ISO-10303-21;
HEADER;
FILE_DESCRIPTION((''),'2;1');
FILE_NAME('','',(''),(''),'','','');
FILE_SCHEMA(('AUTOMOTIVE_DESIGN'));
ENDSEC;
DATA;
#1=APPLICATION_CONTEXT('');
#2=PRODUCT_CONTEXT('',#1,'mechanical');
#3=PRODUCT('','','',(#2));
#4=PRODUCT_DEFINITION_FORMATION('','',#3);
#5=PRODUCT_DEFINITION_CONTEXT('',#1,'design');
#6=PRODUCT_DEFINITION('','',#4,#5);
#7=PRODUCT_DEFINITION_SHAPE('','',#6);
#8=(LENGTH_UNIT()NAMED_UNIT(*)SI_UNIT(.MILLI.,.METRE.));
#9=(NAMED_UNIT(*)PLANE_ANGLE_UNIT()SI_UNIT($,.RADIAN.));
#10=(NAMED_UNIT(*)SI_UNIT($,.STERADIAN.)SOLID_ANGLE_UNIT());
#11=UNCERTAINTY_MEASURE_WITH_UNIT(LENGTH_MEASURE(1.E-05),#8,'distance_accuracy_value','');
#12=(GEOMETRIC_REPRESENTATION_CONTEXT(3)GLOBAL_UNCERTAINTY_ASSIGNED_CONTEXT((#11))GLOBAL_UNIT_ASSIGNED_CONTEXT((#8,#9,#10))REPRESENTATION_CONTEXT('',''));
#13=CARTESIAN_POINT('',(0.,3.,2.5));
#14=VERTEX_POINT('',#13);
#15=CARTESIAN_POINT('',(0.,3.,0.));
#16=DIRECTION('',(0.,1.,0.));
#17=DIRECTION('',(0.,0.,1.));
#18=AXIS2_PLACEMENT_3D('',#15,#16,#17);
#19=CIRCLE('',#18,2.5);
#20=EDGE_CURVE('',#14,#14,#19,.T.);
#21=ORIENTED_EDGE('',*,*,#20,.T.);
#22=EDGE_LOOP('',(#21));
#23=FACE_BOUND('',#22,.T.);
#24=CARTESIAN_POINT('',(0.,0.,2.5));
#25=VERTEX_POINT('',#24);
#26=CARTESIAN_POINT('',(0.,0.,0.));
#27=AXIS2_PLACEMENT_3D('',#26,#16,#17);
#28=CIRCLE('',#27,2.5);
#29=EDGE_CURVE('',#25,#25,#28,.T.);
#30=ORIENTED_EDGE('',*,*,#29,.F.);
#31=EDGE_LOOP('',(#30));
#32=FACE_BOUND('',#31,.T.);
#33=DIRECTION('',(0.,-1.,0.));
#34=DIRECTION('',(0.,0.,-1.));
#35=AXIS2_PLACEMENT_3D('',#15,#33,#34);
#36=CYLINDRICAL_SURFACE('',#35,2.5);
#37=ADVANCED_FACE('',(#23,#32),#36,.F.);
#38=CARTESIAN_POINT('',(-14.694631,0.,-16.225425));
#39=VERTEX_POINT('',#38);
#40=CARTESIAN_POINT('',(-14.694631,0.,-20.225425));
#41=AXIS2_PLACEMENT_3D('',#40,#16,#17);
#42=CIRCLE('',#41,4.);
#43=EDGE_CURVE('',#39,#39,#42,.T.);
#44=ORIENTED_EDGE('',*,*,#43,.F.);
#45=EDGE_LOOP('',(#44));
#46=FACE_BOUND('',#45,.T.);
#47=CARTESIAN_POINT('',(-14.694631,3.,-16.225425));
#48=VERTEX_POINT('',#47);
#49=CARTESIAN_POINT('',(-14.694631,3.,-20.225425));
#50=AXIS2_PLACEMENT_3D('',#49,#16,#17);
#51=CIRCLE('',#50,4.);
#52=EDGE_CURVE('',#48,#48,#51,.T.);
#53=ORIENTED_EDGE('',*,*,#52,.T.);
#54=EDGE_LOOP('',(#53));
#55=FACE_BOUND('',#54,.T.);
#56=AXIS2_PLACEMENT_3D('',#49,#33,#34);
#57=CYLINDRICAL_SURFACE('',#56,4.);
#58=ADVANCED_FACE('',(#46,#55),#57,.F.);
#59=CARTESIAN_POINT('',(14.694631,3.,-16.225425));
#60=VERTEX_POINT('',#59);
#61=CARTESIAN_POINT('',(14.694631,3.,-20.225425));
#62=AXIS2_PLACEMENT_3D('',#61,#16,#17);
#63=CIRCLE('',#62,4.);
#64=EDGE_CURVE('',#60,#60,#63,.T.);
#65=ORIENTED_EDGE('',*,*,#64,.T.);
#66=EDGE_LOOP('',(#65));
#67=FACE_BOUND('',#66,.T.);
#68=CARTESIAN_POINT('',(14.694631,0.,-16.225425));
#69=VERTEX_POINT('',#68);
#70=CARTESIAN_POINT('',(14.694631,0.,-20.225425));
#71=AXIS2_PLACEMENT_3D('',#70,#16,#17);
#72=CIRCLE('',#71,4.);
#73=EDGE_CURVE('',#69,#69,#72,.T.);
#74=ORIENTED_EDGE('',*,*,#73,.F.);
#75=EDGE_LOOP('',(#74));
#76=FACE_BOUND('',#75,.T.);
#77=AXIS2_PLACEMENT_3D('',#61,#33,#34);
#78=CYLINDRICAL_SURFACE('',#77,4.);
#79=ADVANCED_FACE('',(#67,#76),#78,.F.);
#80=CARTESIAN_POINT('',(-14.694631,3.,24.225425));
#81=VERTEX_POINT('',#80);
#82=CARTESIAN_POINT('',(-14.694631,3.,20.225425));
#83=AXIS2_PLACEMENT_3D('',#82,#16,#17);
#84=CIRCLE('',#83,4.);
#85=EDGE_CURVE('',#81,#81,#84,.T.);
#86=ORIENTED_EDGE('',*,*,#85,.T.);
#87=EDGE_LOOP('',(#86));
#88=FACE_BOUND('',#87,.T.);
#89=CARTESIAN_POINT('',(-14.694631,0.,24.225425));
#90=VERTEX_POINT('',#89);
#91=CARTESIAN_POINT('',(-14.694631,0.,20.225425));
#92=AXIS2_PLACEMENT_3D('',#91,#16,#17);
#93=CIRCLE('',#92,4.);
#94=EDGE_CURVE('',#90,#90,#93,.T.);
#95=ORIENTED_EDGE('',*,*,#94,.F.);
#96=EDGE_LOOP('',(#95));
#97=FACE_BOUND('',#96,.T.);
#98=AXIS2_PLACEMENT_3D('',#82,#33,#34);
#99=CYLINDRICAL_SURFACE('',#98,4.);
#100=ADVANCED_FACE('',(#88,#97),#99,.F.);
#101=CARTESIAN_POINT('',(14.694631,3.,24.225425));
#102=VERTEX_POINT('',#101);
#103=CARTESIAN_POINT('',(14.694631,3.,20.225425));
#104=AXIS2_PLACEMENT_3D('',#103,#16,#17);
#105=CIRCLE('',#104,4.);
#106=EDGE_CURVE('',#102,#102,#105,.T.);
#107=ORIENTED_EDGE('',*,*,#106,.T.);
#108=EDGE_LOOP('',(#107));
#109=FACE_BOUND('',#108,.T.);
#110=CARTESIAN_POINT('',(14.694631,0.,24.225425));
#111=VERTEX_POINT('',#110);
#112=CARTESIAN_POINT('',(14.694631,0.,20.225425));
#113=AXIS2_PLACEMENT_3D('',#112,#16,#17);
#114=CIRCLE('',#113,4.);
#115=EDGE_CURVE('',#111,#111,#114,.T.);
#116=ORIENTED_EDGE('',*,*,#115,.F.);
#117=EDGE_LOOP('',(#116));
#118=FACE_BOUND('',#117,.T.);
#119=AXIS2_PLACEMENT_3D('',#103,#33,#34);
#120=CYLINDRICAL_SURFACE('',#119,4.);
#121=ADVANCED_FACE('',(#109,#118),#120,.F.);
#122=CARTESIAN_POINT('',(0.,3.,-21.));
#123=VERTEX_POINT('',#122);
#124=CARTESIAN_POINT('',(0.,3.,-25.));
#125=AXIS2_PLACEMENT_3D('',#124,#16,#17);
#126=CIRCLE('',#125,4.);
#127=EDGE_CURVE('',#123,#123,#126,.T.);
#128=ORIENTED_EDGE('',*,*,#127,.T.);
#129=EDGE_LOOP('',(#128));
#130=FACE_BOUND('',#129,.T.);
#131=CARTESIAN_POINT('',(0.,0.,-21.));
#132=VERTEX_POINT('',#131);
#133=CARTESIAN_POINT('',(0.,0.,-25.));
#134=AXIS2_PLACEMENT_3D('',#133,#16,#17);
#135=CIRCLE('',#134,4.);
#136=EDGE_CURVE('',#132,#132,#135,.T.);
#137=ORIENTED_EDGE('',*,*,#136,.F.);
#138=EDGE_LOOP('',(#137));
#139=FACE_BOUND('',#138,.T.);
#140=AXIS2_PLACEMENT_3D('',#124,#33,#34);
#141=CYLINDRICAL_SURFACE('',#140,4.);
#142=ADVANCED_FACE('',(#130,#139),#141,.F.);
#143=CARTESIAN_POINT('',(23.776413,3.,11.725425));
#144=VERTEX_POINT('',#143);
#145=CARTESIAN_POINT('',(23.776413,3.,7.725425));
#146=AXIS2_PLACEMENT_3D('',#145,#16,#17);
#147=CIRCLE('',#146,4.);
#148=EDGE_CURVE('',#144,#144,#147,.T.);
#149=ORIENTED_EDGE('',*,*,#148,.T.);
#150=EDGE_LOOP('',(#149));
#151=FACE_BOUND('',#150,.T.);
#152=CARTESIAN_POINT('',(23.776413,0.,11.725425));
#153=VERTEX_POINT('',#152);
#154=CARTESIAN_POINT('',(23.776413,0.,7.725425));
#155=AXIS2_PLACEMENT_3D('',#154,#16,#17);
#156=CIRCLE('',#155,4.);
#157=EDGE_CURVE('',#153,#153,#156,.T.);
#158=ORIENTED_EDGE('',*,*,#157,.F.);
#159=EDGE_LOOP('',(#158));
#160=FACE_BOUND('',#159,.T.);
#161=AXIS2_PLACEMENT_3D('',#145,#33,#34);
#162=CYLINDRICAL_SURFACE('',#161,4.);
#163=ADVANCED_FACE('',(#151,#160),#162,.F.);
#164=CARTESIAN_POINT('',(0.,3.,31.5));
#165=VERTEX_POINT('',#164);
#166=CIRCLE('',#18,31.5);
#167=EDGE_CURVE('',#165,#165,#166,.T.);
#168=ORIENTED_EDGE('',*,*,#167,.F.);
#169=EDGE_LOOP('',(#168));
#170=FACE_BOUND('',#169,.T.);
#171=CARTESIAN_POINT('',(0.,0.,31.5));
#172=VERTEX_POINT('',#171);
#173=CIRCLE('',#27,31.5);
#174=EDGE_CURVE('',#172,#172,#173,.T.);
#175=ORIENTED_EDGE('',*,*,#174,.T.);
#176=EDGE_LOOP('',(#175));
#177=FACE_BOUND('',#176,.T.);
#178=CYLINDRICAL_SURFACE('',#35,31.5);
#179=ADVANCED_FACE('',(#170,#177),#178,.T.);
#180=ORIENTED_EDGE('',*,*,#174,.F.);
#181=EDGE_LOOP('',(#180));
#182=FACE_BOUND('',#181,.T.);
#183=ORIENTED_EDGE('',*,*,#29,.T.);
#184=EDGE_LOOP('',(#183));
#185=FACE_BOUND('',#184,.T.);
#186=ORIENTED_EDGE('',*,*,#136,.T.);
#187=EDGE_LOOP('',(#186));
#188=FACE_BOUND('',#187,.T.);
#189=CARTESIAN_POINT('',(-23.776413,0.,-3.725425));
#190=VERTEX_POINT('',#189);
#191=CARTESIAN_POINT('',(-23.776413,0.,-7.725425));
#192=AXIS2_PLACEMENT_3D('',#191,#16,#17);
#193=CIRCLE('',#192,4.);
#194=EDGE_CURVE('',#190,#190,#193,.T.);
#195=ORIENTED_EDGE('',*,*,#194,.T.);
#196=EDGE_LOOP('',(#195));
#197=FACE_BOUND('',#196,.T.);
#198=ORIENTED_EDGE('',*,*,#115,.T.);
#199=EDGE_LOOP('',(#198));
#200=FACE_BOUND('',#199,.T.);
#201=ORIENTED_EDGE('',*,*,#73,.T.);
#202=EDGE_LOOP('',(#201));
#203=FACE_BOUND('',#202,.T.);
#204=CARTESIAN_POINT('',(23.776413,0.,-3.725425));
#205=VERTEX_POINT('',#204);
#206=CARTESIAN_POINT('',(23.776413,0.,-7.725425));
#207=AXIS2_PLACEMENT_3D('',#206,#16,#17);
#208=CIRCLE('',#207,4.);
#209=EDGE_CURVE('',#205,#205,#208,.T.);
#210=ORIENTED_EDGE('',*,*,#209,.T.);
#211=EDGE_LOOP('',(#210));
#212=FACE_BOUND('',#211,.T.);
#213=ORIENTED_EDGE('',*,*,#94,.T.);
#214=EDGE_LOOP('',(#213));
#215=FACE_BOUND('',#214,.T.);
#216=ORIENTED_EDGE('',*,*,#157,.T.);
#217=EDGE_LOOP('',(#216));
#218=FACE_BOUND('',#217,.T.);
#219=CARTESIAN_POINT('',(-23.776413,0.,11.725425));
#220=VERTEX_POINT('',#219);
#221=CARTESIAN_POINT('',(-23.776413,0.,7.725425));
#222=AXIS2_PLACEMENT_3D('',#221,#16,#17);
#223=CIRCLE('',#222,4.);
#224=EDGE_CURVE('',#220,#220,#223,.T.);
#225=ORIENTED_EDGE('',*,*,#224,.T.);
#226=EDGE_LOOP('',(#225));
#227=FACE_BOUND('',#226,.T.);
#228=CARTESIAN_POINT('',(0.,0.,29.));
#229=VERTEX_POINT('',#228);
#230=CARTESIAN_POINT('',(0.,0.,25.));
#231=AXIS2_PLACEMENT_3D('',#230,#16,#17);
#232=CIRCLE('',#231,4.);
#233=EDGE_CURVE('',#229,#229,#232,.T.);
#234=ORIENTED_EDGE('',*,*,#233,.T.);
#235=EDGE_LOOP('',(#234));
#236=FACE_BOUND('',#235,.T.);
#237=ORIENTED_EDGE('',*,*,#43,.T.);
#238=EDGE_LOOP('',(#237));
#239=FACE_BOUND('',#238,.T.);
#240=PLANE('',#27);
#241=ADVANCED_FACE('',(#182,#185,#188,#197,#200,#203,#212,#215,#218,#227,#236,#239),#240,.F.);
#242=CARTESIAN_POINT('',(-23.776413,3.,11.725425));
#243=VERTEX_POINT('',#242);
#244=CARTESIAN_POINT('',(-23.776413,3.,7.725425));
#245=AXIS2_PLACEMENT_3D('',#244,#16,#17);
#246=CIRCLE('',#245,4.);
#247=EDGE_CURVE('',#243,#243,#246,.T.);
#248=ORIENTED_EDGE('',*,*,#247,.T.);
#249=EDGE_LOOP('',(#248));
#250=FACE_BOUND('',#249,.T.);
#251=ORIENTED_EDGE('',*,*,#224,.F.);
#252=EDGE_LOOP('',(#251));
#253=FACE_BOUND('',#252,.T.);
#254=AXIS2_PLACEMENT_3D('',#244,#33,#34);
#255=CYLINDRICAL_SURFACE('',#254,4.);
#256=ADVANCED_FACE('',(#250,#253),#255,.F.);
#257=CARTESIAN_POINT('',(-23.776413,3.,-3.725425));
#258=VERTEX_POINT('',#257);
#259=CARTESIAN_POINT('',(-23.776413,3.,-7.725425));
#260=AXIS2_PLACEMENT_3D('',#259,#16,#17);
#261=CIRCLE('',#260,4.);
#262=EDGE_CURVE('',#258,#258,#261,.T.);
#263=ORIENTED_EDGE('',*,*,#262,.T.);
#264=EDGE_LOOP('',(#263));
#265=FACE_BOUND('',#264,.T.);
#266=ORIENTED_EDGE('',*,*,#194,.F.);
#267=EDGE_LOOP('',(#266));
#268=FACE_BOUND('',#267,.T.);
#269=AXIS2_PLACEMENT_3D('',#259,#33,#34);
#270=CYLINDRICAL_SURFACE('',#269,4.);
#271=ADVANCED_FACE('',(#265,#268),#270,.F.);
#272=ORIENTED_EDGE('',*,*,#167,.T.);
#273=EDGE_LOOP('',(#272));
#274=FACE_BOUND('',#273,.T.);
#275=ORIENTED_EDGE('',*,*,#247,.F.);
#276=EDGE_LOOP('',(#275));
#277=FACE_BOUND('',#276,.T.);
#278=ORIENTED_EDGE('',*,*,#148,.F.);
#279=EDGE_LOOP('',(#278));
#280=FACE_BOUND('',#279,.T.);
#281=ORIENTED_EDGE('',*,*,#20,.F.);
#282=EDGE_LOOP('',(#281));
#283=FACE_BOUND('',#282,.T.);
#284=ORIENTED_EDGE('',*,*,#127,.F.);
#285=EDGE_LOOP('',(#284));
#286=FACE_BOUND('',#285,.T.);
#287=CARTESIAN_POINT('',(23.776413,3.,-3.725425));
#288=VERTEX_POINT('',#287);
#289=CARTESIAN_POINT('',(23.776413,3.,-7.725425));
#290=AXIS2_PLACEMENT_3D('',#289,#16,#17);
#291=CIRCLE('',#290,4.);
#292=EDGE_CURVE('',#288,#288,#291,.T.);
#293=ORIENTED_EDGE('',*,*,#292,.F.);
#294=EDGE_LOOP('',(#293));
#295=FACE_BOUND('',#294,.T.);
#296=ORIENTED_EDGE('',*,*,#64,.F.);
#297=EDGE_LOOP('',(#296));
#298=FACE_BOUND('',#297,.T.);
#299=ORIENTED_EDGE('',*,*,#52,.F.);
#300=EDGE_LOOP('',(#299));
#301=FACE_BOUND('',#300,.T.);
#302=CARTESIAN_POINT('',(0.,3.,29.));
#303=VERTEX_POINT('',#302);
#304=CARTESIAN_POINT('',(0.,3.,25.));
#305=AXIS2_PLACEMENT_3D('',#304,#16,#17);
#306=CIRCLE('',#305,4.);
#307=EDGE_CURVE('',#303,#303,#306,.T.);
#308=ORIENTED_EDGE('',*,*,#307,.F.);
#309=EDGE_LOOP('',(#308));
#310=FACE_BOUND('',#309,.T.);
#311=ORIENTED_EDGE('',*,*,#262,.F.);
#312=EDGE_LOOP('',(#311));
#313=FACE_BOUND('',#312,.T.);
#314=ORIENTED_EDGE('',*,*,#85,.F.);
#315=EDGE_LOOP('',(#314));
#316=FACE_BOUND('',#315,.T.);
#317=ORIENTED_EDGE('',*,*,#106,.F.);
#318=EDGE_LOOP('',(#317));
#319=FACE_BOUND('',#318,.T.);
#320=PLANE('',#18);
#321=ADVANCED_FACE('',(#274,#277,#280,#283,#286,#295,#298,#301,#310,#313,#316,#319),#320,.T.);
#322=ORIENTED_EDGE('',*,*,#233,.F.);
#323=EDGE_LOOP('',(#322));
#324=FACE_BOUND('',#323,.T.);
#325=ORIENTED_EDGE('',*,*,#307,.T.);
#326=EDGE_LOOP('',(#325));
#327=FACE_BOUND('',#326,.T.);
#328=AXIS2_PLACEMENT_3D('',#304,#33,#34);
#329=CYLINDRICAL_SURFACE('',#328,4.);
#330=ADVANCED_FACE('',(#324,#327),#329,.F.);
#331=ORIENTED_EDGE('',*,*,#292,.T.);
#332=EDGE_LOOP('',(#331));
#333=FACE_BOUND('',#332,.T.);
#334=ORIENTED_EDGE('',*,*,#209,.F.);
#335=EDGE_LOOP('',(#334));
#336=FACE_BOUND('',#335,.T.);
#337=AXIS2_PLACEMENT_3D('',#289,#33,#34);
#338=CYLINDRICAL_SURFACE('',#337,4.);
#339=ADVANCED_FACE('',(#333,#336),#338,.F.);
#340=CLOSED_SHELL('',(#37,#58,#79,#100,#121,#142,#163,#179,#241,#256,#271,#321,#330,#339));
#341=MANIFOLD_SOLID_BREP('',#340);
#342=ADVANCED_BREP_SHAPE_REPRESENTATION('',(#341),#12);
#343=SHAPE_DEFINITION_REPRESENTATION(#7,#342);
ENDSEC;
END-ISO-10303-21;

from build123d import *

# Parameters (mm, degrees)
SKETCH1_R           = 31.5
SKETCH1_R_2         = 4
SKETCH1_R_3         = 2.5
BOSS_EXTRUDE1_DEPTH = 3


with BuildPart() as part:
    # Sketch1 → Boss-Extrude1 (new body)
    with BuildSketch(Plane(origin=(0, 0, 0), x_dir=(1, 0, 0), z_dir=(0, 1, 0))):
        with Locations(Location((0, 0, 0), (0, 0, 270))):
            Circle(SKETCH1_R)
        with Locations(Location((0, 25, 0), (0, 0, 270))):
            Circle(SKETCH1_R_2, mode=Mode.SUBTRACT)
        with Locations(Location((14.694631307, 20.225424859, 0), (0, 0, 270))):
            Circle(SKETCH1_R_2, mode=Mode.SUBTRACT)
        with Locations(Location((23.776412907, 7.725424859, 0), (0, 0, 270))):
            Circle(SKETCH1_R_2, mode=Mode.SUBTRACT)
        with Locations(Location((23.776412907, -7.725424859, 0), (0, 0, 270))):
            Circle(SKETCH1_R_2, mode=Mode.SUBTRACT)
        with Locations(Location((14.694631307, -20.225424859, 0), (0, 0, 270))):
            Circle(SKETCH1_R_2, mode=Mode.SUBTRACT)
        with Locations(Location((0, -25, 0), (0, 0, 270))):
            Circle(SKETCH1_R_2, mode=Mode.SUBTRACT)
        with Locations(Location((-14.694631307, -20.225424859, 0), (0, 0, 270))):
            Circle(SKETCH1_R_2, mode=Mode.SUBTRACT)
        with Locations(Location((-23.776412907, -7.725424859, 0), (0, 0, 270))):
            Circle(SKETCH1_R_2, mode=Mode.SUBTRACT)
        with Locations(Location((-23.776412907, 7.725424859, 0), (0, 0, 270))):
            Circle(SKETCH1_R_2, mode=Mode.SUBTRACT)
        with Locations(Location((-14.694631307, 20.225424859, 0), (0, 0, 270))):
            Circle(SKETCH1_R_2, mode=Mode.SUBTRACT)
        with Locations(Location((0, 0, 0), (0, 0, 270))):
            Circle(SKETCH1_R_3, mode=Mode.SUBTRACT)
    extrude(amount=BOSS_EXTRUDE1_DEPTH)


solid = part.part
